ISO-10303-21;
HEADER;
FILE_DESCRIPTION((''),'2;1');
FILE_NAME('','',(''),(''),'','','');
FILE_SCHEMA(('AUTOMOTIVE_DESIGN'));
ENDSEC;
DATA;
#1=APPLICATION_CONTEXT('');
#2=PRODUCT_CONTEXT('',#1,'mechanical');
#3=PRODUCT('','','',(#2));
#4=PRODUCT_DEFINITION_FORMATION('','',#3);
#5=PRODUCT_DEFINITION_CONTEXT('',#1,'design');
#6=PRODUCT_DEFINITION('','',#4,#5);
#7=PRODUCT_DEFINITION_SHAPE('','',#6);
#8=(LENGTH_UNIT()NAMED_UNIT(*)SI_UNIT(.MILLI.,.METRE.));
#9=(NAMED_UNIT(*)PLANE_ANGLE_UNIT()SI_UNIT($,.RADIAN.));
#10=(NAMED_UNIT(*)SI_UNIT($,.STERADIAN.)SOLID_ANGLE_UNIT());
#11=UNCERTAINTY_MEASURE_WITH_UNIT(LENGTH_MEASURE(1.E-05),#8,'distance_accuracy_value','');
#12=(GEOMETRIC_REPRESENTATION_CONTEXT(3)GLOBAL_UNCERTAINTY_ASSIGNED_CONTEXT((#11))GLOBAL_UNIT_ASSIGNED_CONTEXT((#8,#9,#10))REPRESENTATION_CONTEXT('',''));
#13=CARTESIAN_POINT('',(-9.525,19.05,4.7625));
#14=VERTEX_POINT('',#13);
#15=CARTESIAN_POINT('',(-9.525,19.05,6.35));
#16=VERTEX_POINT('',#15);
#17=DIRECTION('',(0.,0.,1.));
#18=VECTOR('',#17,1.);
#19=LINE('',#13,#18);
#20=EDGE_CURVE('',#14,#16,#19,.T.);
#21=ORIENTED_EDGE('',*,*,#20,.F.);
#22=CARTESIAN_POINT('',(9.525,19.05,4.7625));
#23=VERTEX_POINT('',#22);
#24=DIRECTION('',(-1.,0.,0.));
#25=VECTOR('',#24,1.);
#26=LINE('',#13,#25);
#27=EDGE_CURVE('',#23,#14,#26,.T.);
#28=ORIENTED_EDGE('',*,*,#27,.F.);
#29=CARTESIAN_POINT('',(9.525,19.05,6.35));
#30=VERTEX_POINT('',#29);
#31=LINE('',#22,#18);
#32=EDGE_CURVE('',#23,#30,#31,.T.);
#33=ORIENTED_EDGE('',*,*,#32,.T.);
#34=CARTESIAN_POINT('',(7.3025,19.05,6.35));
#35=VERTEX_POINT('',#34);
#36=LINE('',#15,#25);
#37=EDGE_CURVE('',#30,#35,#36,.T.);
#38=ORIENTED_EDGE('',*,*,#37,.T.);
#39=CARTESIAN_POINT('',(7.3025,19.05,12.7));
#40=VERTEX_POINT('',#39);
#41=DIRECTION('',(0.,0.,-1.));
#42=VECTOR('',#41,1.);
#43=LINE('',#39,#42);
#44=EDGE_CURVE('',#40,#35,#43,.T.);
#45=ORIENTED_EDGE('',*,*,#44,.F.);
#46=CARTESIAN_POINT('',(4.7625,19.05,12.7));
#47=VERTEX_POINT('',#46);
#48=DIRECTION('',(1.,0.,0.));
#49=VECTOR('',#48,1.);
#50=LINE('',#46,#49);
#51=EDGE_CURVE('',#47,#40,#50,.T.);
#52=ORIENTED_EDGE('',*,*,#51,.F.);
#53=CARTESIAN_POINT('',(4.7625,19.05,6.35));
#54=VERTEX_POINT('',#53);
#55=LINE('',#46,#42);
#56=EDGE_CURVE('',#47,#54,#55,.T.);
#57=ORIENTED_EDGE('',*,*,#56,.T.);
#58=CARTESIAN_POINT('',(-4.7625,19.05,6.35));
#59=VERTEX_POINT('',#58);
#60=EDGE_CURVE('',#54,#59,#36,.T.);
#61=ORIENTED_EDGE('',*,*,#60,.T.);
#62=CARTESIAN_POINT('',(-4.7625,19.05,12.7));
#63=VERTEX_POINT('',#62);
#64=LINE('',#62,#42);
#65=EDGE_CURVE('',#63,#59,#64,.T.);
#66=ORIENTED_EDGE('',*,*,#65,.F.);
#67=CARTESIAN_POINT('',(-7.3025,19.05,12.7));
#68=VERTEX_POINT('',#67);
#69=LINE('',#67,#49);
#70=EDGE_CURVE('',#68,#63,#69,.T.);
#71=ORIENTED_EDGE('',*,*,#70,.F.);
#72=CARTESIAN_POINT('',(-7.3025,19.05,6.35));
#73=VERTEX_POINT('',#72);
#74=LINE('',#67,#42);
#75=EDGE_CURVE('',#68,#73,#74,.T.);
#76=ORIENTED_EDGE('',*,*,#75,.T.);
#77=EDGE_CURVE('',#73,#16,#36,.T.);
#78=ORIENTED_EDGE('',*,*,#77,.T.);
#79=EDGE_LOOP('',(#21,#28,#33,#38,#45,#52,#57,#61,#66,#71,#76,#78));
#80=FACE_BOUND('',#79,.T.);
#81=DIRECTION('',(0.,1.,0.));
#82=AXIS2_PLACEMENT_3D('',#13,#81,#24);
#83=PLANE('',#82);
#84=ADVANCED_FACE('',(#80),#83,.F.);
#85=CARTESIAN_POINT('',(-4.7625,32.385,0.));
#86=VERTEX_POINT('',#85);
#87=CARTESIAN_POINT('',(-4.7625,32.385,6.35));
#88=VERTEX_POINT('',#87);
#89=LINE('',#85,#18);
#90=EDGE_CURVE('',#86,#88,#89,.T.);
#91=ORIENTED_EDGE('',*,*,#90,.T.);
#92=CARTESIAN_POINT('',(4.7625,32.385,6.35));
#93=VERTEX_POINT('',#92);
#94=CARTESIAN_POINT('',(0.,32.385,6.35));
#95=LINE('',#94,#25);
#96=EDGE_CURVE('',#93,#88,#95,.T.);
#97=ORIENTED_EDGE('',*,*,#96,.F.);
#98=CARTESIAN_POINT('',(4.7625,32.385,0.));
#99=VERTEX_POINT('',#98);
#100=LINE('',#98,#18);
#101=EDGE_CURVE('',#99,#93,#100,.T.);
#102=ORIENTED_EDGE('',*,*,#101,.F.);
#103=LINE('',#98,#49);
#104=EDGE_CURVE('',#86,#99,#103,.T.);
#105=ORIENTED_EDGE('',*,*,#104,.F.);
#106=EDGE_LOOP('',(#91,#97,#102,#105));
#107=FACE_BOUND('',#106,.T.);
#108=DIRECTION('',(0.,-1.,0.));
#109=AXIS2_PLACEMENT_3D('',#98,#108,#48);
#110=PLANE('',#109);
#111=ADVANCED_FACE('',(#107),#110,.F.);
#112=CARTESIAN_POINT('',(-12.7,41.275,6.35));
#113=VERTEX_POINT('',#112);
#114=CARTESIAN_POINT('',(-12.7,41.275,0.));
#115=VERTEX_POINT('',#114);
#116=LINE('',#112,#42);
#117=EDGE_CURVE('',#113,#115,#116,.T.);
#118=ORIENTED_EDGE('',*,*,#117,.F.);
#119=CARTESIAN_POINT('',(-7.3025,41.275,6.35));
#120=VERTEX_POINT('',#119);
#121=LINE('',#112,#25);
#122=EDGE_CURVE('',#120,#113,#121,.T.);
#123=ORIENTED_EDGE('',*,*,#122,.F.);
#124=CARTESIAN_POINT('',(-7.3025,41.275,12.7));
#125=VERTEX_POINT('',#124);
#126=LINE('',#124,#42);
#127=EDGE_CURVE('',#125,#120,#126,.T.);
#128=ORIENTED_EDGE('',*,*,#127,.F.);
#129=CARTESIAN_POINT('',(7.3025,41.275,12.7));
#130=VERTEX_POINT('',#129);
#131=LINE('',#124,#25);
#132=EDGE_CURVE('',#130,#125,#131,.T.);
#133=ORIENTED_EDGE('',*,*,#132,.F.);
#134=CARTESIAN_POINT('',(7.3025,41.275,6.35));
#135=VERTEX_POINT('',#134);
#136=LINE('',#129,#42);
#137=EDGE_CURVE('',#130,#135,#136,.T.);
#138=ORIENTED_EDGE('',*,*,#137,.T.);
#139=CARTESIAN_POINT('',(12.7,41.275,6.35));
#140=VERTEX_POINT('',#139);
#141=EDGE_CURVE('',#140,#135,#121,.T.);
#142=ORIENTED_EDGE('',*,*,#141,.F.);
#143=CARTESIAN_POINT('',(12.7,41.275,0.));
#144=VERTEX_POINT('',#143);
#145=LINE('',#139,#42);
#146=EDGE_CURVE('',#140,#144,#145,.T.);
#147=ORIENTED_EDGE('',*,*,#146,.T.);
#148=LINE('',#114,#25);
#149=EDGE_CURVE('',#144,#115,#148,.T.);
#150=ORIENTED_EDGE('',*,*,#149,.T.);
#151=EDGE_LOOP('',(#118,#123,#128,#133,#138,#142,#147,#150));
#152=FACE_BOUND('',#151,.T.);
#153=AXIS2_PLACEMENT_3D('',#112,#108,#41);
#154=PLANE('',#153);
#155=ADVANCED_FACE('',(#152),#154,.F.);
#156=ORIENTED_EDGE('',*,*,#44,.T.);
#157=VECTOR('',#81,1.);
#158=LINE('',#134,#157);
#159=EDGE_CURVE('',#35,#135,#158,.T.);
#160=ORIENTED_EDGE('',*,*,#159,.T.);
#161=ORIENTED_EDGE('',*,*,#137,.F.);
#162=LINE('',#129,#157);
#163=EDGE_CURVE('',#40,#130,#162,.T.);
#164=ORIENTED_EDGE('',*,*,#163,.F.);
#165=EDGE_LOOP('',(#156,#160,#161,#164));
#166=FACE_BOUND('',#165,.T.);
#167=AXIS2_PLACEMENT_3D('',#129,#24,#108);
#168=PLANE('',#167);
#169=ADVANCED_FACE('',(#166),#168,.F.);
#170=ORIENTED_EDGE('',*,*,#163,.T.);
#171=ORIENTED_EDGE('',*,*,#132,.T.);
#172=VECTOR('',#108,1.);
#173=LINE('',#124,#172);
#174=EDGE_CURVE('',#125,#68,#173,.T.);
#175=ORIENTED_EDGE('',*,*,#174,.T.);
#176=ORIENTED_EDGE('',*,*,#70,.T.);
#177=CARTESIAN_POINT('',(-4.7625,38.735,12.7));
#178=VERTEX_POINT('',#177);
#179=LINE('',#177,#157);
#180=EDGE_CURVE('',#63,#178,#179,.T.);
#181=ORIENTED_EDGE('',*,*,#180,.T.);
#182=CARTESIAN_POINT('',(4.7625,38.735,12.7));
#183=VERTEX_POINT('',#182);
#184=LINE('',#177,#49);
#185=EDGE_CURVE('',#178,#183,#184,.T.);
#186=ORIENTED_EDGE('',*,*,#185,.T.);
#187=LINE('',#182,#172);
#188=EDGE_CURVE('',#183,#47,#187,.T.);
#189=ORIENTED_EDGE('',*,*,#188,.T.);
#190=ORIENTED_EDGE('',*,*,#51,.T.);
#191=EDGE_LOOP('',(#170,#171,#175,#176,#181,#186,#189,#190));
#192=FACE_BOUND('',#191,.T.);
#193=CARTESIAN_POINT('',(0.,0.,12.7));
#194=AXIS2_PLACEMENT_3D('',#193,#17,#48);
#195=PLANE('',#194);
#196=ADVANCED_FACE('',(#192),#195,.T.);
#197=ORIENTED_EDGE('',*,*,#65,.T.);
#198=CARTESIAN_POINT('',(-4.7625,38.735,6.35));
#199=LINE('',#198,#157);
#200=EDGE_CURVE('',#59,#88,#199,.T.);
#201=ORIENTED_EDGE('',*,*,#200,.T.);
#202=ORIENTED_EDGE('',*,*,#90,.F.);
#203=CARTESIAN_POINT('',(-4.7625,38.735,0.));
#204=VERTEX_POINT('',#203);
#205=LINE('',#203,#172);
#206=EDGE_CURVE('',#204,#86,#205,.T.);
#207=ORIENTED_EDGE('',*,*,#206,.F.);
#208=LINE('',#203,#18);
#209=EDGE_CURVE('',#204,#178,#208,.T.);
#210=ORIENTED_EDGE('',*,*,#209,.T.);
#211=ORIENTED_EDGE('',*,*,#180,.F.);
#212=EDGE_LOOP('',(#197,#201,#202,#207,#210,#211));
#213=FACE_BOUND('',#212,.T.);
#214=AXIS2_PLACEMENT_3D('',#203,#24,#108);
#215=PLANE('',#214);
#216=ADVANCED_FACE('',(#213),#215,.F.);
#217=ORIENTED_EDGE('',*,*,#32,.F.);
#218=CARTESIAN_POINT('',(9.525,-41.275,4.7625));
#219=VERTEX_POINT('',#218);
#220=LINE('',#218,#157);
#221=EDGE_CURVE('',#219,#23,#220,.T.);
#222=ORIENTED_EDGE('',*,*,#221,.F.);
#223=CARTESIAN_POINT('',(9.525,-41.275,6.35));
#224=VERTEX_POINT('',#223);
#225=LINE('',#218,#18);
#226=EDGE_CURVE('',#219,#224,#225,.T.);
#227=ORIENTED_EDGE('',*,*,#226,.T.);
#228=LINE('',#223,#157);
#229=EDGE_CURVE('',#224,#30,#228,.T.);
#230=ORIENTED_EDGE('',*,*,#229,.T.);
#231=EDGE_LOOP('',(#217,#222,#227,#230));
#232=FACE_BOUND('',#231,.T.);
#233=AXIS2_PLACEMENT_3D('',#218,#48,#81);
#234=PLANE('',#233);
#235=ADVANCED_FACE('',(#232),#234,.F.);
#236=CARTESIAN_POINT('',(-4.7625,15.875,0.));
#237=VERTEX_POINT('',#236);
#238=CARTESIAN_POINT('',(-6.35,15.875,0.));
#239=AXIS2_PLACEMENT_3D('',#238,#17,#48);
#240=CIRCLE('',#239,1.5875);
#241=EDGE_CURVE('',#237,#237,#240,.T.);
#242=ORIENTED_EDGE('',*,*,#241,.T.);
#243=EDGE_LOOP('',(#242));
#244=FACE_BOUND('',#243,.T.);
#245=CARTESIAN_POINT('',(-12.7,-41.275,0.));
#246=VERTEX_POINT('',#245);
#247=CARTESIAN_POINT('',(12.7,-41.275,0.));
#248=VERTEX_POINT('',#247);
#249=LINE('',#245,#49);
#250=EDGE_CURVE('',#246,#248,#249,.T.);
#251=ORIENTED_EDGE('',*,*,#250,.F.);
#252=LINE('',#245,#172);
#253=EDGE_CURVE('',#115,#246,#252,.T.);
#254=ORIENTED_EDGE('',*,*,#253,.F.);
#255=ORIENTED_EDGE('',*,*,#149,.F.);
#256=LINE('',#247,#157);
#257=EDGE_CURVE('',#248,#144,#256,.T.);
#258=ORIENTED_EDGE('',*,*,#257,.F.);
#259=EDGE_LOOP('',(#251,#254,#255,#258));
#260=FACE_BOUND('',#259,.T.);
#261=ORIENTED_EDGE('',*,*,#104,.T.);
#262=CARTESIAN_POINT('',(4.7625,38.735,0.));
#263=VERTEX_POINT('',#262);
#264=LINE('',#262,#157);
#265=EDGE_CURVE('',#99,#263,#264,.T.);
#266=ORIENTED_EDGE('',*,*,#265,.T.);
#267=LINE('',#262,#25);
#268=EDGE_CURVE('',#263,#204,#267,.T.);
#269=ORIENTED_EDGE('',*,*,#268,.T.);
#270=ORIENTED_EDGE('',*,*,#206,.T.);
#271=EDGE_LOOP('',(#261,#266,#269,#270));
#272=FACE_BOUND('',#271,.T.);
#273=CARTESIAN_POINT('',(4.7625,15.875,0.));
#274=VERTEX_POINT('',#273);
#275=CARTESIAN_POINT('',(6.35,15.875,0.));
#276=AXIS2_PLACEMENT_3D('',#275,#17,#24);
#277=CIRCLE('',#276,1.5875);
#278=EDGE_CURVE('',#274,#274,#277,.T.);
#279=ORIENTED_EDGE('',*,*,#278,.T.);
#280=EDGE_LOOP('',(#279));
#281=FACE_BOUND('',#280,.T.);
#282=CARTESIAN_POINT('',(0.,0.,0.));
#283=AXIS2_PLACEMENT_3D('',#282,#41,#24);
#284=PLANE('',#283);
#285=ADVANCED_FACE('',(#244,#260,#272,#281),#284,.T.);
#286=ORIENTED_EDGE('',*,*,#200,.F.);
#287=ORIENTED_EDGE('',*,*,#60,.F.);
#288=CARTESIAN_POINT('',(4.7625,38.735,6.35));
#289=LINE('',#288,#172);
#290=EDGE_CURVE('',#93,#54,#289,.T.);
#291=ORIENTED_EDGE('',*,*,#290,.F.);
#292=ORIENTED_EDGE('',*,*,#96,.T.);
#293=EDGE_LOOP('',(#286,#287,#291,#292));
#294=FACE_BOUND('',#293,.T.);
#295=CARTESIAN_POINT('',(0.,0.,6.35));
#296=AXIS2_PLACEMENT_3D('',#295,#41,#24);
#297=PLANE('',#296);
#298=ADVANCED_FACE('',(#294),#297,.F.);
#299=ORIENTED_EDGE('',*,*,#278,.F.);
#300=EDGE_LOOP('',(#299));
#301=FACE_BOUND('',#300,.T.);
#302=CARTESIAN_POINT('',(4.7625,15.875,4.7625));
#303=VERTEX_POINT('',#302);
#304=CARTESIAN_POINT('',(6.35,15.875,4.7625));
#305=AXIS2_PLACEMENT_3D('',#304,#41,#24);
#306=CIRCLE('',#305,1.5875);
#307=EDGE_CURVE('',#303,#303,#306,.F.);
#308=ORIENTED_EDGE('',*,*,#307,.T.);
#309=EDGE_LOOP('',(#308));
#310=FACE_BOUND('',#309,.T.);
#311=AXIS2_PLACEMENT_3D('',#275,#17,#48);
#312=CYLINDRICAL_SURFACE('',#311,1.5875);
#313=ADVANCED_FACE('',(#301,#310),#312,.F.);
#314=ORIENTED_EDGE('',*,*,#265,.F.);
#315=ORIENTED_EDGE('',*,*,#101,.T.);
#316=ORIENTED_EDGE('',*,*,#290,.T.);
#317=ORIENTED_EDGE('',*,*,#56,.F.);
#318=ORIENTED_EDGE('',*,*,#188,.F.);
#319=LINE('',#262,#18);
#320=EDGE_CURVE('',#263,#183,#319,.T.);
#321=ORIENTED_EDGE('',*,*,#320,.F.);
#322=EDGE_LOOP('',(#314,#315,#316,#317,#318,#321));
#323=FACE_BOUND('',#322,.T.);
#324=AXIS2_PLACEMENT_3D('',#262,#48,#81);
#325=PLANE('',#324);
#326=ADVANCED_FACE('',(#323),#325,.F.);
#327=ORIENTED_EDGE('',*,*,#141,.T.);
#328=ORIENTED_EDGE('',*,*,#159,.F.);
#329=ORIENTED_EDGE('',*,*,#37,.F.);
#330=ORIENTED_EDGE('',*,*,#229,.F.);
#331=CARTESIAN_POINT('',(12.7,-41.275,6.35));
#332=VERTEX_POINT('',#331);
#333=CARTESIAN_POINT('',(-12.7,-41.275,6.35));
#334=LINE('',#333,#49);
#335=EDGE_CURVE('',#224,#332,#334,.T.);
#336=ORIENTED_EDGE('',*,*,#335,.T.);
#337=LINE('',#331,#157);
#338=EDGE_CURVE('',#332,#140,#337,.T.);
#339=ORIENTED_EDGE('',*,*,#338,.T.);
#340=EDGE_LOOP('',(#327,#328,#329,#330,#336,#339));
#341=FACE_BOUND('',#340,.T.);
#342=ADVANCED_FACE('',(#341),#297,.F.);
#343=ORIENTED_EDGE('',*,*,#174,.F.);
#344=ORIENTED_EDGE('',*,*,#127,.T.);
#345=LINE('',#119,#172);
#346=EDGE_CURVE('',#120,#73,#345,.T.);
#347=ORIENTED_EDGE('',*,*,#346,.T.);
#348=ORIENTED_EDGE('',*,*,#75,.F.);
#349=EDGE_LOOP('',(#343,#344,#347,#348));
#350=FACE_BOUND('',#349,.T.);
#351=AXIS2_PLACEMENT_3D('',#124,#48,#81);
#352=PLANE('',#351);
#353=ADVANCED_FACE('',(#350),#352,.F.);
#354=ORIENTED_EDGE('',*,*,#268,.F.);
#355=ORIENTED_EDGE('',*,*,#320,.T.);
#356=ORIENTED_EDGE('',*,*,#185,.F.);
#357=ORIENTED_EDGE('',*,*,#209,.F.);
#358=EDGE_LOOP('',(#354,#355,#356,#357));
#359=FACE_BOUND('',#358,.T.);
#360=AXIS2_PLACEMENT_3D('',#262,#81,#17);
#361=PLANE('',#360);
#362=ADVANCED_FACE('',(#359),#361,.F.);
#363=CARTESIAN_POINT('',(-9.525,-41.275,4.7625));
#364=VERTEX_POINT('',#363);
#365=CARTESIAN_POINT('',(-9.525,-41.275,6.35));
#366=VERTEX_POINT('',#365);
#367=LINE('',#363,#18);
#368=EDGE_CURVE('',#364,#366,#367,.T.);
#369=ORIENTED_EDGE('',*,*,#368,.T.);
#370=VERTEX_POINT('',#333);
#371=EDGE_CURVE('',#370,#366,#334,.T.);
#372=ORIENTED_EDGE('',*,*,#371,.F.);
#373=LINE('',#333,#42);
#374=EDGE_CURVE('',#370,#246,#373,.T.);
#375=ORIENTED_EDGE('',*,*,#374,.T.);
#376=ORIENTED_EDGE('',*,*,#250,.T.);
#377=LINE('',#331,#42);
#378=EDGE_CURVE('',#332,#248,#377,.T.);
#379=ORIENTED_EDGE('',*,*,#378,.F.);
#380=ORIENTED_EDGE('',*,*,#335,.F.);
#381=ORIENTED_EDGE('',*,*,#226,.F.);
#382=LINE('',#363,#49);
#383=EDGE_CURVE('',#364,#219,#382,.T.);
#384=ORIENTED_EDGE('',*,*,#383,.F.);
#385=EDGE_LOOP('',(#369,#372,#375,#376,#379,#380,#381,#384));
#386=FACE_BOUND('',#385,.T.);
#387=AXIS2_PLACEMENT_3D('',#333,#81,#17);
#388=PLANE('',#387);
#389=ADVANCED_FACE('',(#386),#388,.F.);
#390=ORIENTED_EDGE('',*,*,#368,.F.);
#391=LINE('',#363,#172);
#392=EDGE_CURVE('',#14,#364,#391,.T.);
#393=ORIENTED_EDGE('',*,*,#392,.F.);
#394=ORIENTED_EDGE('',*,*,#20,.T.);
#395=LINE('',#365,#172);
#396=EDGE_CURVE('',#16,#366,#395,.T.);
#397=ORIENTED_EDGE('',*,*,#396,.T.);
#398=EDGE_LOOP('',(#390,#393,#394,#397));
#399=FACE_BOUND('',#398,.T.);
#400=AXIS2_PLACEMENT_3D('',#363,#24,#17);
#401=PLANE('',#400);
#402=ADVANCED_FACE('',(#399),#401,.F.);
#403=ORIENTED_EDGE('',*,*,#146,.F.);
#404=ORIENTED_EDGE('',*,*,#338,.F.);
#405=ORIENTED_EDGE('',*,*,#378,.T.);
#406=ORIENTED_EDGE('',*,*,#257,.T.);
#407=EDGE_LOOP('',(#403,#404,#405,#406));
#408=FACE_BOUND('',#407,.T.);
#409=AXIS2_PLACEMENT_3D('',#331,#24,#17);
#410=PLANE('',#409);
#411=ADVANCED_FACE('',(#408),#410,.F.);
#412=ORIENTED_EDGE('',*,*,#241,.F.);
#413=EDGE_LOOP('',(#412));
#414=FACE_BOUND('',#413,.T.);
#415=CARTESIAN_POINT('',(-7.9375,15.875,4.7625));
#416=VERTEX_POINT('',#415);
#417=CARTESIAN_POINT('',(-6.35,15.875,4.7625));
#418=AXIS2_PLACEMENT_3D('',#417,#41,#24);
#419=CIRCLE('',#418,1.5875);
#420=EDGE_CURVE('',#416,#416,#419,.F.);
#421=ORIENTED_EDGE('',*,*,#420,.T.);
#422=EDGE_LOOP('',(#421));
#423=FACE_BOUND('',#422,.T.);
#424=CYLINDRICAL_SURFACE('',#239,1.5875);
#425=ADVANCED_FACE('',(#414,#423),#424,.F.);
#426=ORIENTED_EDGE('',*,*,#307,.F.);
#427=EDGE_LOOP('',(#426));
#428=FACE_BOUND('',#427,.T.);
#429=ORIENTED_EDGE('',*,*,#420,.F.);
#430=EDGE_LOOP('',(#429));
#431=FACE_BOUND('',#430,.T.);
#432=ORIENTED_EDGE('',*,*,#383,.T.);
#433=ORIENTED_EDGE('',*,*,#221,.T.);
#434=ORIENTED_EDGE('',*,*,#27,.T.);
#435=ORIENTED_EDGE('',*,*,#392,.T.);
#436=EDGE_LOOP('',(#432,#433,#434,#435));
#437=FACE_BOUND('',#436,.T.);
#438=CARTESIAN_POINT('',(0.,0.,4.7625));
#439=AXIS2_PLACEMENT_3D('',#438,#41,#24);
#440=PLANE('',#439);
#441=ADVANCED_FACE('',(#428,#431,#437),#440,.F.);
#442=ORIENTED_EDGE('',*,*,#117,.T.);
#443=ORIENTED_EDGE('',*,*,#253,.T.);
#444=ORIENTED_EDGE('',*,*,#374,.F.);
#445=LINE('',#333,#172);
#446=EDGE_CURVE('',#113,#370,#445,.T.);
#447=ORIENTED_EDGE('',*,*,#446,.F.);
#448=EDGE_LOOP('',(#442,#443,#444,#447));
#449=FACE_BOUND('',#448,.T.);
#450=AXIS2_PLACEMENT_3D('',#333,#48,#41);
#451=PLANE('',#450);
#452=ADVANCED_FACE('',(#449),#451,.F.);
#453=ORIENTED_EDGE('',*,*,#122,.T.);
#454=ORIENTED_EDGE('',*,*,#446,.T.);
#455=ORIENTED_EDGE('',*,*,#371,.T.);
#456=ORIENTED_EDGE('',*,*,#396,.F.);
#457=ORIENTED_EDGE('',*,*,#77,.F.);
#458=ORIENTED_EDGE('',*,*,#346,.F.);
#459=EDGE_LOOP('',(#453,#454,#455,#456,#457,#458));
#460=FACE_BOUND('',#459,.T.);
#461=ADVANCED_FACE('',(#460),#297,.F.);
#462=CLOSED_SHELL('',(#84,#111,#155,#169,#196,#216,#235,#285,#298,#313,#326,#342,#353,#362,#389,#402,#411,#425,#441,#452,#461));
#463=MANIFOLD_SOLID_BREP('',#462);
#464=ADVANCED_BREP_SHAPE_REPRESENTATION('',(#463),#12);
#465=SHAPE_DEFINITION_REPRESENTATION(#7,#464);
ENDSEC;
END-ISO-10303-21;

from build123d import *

# Parameters (mm, degrees)
SKETCH1_W               = 25.4
SKETCH1_H               = 82.55
BOSS_EXTRUDE1_DEPTH     = 6.35
SKETCH2_R               = 1.5875
CUT_EXTRUDE1_DEPTH      = 44.649033494
SKETCH3_W               = 19.05
SKETCH3_H               = 60.325
CUT_EXTRUDE2_DEPTH      = 1.5875
CUT_EXTRUDE3_DEPTH      = 44.649033494
CUT_EXTRUDE3_DEPTH_BACK = 44.649033494
SKETCH5_W               = 9.525
SKETCH5_H               = 6.35
BOSS_EXTRUDE2_DEPTH     = 6.35


with BuildPart() as part:
    # Sketch1 → Boss-Extrude1 (new body)
    with BuildSketch(Plane.XY):
        Rectangle(SKETCH1_W, SKETCH1_H)
    extrude(amount=BOSS_EXTRUDE1_DEPTH)

    # Sketch2 → Cut-Extrude1 (cut, through all)
    with BuildSketch(Plane.XY.offset(6.35)):
        with Locations((-6.35, 15.875)):
            Circle(SKETCH2_R)
        with Locations(Location((6.35, 15.875, 0), (0, 0, 180))):
            Circle(SKETCH2_R)
    extrude(amount=-CUT_EXTRUDE1_DEPTH, mode=Mode.SUBTRACT)

    # Sketch3 → Cut-Extrude2 (cut)
    with BuildSketch(Plane.XY.offset(6.35)):
        with Locations((0, -11.1125)):
            Rectangle(SKETCH3_W, SKETCH3_H)
    extrude(amount=-CUT_EXTRUDE2_DEPTH, mode=Mode.SUBTRACT)

    # Sketch5 → Cut-Extrude3 (cut, two sides: drawn at the far end of the back side and taken through both)
    with BuildSketch(Plane.XY.offset(6.35).offset(-CUT_EXTRUDE3_DEPTH_BACK)):
        with Locations((0, 35.56)):
            Rectangle(SKETCH5_W, SKETCH5_H)
    extrude(amount=CUT_EXTRUDE3_DEPTH + CUT_EXTRUDE3_DEPTH_BACK, mode=Mode.SUBTRACT)

    # Sketch6 → Boss-Extrude2 (add)
    with BuildSketch(Plane.XY.offset(6.35)):
        Polygon((-7.3025, 41.275), (7.3025, 41.275), (7.3025, 19.05), (4.7625, 19.05), (4.7625, 38.735), (-4.7625, 38.735), (-4.7625, 19.05), (-7.3025, 19.05), align=None)
    extrude(amount=BOSS_EXTRUDE2_DEPTH)


solid = part.part
